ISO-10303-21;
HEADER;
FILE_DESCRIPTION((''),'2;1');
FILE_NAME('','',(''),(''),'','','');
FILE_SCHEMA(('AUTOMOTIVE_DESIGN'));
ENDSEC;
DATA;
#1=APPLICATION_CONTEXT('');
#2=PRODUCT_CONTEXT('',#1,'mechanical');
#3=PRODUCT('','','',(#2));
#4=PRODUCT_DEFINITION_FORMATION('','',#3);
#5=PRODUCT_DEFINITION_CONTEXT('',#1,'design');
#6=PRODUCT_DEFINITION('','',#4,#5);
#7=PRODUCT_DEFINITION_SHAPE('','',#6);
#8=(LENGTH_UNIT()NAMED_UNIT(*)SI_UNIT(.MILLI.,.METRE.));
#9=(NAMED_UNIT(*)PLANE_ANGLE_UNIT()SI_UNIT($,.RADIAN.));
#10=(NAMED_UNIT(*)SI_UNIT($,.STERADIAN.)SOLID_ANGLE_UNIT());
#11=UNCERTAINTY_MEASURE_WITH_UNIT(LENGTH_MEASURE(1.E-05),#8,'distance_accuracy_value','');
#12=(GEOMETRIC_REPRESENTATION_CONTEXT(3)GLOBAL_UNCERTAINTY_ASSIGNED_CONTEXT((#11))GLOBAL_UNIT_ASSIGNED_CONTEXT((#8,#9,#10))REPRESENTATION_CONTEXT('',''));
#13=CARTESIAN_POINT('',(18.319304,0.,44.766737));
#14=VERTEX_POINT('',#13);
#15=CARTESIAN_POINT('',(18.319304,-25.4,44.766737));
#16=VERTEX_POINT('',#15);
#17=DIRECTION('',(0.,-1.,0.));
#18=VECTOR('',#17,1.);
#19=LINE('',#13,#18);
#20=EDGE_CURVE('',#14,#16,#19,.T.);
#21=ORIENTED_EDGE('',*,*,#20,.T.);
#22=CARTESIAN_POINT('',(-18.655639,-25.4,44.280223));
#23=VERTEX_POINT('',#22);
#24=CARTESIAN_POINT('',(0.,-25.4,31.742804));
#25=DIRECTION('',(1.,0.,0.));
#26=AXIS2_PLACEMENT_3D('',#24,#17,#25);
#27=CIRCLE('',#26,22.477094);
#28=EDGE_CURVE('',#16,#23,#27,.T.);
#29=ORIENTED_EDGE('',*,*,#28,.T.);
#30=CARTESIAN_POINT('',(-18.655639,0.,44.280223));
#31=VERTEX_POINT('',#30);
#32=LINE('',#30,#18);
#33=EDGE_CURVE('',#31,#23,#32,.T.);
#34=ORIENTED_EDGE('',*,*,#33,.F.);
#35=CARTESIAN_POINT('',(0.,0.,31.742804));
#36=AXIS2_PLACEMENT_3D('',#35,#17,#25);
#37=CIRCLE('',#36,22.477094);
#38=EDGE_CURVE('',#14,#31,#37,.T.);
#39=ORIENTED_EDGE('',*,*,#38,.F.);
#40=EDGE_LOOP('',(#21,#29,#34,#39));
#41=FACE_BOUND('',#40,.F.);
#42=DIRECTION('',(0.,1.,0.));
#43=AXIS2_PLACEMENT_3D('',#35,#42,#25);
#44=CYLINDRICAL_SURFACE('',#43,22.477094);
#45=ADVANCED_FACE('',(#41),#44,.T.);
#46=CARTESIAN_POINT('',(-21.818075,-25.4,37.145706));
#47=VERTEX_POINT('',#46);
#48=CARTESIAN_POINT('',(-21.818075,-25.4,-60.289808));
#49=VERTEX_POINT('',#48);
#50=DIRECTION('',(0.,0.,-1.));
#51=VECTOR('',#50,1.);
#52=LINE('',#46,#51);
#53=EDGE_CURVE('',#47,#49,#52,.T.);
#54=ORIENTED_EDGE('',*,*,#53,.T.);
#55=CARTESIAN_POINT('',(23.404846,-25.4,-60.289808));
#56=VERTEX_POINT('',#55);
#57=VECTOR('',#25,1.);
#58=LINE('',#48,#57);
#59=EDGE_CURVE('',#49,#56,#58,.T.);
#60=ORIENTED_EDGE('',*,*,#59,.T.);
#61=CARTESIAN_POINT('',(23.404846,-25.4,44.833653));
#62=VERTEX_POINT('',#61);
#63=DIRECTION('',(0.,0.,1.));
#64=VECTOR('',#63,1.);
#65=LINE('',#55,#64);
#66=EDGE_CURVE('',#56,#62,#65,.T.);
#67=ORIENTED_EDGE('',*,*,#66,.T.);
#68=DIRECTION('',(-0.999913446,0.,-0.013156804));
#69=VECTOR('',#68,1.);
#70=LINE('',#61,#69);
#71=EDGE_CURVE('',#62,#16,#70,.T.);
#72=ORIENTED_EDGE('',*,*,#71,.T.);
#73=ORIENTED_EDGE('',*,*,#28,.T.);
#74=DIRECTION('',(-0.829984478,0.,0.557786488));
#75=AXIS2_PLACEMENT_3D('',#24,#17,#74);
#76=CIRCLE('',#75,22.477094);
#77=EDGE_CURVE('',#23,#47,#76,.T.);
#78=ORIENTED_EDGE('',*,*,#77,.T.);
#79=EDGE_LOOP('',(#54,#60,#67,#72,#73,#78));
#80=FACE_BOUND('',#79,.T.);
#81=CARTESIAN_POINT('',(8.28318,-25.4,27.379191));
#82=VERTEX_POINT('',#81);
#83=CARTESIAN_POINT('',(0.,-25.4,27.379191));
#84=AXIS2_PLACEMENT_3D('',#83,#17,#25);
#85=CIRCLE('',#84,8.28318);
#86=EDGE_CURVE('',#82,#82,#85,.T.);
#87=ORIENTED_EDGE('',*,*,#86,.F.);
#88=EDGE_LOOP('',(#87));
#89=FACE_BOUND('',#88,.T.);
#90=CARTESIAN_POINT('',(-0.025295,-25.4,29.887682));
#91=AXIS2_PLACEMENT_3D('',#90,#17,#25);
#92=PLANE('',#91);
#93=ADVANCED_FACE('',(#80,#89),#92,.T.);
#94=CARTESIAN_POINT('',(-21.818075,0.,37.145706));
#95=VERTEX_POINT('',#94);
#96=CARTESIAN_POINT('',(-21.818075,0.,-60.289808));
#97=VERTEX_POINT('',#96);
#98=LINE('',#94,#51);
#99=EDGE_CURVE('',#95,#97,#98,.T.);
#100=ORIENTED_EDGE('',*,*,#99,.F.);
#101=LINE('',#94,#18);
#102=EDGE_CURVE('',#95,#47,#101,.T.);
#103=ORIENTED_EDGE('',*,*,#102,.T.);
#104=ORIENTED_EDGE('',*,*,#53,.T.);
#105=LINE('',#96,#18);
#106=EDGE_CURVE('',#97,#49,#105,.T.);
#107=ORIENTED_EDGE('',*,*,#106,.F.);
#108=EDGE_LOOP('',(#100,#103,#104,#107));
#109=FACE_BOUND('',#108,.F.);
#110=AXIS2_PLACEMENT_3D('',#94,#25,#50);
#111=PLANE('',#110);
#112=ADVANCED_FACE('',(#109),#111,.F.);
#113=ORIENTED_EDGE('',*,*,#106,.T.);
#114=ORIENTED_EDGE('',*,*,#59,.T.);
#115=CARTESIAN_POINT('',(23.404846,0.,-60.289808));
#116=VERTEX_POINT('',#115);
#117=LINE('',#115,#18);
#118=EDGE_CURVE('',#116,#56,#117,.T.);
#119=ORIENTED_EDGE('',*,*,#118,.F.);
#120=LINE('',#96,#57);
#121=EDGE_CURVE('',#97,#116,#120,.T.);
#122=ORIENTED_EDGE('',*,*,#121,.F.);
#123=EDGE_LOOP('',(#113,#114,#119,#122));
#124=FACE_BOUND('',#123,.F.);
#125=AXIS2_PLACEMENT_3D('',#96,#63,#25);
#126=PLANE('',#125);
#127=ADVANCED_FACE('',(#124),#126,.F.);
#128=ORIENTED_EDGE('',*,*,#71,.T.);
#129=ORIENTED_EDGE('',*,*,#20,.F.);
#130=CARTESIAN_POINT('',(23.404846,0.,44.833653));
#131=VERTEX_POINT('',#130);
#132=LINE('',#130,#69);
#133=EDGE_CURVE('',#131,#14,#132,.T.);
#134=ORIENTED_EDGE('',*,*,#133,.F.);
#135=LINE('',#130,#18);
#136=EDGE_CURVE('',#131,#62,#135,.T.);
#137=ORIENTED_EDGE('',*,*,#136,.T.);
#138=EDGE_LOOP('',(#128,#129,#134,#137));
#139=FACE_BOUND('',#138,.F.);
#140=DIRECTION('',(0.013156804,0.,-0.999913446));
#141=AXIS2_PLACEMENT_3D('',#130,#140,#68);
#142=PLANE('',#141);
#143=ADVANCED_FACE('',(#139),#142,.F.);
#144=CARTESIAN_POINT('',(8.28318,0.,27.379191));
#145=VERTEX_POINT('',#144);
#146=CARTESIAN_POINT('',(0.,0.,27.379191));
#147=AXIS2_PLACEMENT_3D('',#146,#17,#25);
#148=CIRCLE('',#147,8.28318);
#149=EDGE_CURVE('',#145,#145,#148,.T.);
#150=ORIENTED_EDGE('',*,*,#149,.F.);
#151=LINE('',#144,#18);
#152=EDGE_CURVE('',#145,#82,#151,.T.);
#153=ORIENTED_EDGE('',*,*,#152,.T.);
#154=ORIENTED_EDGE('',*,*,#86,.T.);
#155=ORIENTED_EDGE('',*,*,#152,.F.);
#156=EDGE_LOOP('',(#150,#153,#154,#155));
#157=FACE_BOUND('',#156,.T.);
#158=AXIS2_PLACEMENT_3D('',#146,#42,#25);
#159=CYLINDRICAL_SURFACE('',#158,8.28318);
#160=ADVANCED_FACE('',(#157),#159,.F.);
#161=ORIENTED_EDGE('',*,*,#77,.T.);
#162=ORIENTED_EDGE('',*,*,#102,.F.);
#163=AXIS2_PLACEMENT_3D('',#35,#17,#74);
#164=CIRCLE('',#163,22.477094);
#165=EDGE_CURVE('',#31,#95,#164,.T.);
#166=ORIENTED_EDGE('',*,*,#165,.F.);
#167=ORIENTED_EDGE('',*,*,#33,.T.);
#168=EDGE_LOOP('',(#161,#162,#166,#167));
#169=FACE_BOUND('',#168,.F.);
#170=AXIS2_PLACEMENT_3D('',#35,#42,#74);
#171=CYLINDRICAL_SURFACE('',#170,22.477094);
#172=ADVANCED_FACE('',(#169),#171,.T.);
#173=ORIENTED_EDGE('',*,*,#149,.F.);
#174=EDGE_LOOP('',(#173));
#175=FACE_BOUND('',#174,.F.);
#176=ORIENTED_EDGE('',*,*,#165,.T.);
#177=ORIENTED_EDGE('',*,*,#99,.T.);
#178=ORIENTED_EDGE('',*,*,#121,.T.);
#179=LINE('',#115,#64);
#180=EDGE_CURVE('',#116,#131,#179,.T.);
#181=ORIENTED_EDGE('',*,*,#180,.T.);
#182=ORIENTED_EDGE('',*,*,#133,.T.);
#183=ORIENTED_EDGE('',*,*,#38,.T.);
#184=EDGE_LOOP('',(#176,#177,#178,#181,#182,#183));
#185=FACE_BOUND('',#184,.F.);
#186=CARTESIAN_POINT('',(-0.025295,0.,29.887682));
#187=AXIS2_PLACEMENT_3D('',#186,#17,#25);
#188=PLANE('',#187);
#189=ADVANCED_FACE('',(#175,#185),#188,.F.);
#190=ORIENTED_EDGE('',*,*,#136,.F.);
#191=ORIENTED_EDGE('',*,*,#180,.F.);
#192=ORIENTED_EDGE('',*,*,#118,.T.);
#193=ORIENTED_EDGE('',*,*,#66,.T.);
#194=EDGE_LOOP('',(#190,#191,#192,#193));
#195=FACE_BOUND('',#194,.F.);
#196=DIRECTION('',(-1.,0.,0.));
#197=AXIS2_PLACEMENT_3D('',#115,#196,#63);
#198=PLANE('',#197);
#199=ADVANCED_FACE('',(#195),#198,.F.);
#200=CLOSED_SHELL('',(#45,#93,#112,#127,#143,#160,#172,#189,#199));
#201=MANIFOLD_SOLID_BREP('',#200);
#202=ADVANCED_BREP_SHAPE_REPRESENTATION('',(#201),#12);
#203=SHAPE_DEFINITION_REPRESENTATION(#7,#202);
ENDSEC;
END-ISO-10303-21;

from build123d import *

# Parameters (mm, degrees)
F0_R     = 8.2831799599
F1_DEPTH = 25.4


with BuildPart() as f1:
    # F0 (on Front) → F1 (new body)
    with BuildSketch(Plane.XZ):
        with BuildLine():
            ThreePointArc((-18.6556393077, 44.2802232086), (-20.5488619587, 40.8512633807), (-21.8180753291, 37.1457060773))
            Line((-21.8180753291, 37.1457060773), (-21.8180753291, 26.3399014275))
            ThreePointArc((-21.8180753291, 26.3399014275), (2.7214729207, 9.431072539), (22.4770942205, 31.7428037524))
            ThreePointArc((22.4770942205, 31.7428037524), (21.412432107, 38.5785565171), (18.3193044811, 44.7667374103))
            Line((18.3193044811, 44.7667374103), (-18.6556393077, 44.2802232086))
        make_face()
        with Locations((0, 27.3791905493)):
            Circle(F0_R, mode=Mode.SUBTRACT)
        with BuildLine():
            ThreePointArc((18.3193044811, 44.7667374103), (-0.2957267252, 54.2179524794), (-18.6556393077, 44.2802232086))
            Line((-18.6556393077, 44.2802232086), (18.3193044811, 44.7667374103))
        make_face()
        with BuildLine():
            ThreePointArc((22.4770942205, 31.7428037524), (2.7214729207, 9.431072539), (-21.8180753291, 26.3399014275))
            Line((-21.8180753291, 26.3399014275), (-21.8180753291, -60.2898076177))
            Line((-21.8180753291, -60.2898076177), (23.4048459679, -60.2898076177))
            Line((23.4048459679, -60.2898076177), (23.4048459679, 44.8336526752))
            Line((23.4048459679, 44.8336526752), (18.3193044811, 44.7667374103))
            ThreePointArc((18.3193044811, 44.7667374103), (21.412432107, 38.5785565171), (22.4770942205, 31.7428037524))
        make_face()
    extrude(amount=F1_DEPTH)


solid = f1.part
